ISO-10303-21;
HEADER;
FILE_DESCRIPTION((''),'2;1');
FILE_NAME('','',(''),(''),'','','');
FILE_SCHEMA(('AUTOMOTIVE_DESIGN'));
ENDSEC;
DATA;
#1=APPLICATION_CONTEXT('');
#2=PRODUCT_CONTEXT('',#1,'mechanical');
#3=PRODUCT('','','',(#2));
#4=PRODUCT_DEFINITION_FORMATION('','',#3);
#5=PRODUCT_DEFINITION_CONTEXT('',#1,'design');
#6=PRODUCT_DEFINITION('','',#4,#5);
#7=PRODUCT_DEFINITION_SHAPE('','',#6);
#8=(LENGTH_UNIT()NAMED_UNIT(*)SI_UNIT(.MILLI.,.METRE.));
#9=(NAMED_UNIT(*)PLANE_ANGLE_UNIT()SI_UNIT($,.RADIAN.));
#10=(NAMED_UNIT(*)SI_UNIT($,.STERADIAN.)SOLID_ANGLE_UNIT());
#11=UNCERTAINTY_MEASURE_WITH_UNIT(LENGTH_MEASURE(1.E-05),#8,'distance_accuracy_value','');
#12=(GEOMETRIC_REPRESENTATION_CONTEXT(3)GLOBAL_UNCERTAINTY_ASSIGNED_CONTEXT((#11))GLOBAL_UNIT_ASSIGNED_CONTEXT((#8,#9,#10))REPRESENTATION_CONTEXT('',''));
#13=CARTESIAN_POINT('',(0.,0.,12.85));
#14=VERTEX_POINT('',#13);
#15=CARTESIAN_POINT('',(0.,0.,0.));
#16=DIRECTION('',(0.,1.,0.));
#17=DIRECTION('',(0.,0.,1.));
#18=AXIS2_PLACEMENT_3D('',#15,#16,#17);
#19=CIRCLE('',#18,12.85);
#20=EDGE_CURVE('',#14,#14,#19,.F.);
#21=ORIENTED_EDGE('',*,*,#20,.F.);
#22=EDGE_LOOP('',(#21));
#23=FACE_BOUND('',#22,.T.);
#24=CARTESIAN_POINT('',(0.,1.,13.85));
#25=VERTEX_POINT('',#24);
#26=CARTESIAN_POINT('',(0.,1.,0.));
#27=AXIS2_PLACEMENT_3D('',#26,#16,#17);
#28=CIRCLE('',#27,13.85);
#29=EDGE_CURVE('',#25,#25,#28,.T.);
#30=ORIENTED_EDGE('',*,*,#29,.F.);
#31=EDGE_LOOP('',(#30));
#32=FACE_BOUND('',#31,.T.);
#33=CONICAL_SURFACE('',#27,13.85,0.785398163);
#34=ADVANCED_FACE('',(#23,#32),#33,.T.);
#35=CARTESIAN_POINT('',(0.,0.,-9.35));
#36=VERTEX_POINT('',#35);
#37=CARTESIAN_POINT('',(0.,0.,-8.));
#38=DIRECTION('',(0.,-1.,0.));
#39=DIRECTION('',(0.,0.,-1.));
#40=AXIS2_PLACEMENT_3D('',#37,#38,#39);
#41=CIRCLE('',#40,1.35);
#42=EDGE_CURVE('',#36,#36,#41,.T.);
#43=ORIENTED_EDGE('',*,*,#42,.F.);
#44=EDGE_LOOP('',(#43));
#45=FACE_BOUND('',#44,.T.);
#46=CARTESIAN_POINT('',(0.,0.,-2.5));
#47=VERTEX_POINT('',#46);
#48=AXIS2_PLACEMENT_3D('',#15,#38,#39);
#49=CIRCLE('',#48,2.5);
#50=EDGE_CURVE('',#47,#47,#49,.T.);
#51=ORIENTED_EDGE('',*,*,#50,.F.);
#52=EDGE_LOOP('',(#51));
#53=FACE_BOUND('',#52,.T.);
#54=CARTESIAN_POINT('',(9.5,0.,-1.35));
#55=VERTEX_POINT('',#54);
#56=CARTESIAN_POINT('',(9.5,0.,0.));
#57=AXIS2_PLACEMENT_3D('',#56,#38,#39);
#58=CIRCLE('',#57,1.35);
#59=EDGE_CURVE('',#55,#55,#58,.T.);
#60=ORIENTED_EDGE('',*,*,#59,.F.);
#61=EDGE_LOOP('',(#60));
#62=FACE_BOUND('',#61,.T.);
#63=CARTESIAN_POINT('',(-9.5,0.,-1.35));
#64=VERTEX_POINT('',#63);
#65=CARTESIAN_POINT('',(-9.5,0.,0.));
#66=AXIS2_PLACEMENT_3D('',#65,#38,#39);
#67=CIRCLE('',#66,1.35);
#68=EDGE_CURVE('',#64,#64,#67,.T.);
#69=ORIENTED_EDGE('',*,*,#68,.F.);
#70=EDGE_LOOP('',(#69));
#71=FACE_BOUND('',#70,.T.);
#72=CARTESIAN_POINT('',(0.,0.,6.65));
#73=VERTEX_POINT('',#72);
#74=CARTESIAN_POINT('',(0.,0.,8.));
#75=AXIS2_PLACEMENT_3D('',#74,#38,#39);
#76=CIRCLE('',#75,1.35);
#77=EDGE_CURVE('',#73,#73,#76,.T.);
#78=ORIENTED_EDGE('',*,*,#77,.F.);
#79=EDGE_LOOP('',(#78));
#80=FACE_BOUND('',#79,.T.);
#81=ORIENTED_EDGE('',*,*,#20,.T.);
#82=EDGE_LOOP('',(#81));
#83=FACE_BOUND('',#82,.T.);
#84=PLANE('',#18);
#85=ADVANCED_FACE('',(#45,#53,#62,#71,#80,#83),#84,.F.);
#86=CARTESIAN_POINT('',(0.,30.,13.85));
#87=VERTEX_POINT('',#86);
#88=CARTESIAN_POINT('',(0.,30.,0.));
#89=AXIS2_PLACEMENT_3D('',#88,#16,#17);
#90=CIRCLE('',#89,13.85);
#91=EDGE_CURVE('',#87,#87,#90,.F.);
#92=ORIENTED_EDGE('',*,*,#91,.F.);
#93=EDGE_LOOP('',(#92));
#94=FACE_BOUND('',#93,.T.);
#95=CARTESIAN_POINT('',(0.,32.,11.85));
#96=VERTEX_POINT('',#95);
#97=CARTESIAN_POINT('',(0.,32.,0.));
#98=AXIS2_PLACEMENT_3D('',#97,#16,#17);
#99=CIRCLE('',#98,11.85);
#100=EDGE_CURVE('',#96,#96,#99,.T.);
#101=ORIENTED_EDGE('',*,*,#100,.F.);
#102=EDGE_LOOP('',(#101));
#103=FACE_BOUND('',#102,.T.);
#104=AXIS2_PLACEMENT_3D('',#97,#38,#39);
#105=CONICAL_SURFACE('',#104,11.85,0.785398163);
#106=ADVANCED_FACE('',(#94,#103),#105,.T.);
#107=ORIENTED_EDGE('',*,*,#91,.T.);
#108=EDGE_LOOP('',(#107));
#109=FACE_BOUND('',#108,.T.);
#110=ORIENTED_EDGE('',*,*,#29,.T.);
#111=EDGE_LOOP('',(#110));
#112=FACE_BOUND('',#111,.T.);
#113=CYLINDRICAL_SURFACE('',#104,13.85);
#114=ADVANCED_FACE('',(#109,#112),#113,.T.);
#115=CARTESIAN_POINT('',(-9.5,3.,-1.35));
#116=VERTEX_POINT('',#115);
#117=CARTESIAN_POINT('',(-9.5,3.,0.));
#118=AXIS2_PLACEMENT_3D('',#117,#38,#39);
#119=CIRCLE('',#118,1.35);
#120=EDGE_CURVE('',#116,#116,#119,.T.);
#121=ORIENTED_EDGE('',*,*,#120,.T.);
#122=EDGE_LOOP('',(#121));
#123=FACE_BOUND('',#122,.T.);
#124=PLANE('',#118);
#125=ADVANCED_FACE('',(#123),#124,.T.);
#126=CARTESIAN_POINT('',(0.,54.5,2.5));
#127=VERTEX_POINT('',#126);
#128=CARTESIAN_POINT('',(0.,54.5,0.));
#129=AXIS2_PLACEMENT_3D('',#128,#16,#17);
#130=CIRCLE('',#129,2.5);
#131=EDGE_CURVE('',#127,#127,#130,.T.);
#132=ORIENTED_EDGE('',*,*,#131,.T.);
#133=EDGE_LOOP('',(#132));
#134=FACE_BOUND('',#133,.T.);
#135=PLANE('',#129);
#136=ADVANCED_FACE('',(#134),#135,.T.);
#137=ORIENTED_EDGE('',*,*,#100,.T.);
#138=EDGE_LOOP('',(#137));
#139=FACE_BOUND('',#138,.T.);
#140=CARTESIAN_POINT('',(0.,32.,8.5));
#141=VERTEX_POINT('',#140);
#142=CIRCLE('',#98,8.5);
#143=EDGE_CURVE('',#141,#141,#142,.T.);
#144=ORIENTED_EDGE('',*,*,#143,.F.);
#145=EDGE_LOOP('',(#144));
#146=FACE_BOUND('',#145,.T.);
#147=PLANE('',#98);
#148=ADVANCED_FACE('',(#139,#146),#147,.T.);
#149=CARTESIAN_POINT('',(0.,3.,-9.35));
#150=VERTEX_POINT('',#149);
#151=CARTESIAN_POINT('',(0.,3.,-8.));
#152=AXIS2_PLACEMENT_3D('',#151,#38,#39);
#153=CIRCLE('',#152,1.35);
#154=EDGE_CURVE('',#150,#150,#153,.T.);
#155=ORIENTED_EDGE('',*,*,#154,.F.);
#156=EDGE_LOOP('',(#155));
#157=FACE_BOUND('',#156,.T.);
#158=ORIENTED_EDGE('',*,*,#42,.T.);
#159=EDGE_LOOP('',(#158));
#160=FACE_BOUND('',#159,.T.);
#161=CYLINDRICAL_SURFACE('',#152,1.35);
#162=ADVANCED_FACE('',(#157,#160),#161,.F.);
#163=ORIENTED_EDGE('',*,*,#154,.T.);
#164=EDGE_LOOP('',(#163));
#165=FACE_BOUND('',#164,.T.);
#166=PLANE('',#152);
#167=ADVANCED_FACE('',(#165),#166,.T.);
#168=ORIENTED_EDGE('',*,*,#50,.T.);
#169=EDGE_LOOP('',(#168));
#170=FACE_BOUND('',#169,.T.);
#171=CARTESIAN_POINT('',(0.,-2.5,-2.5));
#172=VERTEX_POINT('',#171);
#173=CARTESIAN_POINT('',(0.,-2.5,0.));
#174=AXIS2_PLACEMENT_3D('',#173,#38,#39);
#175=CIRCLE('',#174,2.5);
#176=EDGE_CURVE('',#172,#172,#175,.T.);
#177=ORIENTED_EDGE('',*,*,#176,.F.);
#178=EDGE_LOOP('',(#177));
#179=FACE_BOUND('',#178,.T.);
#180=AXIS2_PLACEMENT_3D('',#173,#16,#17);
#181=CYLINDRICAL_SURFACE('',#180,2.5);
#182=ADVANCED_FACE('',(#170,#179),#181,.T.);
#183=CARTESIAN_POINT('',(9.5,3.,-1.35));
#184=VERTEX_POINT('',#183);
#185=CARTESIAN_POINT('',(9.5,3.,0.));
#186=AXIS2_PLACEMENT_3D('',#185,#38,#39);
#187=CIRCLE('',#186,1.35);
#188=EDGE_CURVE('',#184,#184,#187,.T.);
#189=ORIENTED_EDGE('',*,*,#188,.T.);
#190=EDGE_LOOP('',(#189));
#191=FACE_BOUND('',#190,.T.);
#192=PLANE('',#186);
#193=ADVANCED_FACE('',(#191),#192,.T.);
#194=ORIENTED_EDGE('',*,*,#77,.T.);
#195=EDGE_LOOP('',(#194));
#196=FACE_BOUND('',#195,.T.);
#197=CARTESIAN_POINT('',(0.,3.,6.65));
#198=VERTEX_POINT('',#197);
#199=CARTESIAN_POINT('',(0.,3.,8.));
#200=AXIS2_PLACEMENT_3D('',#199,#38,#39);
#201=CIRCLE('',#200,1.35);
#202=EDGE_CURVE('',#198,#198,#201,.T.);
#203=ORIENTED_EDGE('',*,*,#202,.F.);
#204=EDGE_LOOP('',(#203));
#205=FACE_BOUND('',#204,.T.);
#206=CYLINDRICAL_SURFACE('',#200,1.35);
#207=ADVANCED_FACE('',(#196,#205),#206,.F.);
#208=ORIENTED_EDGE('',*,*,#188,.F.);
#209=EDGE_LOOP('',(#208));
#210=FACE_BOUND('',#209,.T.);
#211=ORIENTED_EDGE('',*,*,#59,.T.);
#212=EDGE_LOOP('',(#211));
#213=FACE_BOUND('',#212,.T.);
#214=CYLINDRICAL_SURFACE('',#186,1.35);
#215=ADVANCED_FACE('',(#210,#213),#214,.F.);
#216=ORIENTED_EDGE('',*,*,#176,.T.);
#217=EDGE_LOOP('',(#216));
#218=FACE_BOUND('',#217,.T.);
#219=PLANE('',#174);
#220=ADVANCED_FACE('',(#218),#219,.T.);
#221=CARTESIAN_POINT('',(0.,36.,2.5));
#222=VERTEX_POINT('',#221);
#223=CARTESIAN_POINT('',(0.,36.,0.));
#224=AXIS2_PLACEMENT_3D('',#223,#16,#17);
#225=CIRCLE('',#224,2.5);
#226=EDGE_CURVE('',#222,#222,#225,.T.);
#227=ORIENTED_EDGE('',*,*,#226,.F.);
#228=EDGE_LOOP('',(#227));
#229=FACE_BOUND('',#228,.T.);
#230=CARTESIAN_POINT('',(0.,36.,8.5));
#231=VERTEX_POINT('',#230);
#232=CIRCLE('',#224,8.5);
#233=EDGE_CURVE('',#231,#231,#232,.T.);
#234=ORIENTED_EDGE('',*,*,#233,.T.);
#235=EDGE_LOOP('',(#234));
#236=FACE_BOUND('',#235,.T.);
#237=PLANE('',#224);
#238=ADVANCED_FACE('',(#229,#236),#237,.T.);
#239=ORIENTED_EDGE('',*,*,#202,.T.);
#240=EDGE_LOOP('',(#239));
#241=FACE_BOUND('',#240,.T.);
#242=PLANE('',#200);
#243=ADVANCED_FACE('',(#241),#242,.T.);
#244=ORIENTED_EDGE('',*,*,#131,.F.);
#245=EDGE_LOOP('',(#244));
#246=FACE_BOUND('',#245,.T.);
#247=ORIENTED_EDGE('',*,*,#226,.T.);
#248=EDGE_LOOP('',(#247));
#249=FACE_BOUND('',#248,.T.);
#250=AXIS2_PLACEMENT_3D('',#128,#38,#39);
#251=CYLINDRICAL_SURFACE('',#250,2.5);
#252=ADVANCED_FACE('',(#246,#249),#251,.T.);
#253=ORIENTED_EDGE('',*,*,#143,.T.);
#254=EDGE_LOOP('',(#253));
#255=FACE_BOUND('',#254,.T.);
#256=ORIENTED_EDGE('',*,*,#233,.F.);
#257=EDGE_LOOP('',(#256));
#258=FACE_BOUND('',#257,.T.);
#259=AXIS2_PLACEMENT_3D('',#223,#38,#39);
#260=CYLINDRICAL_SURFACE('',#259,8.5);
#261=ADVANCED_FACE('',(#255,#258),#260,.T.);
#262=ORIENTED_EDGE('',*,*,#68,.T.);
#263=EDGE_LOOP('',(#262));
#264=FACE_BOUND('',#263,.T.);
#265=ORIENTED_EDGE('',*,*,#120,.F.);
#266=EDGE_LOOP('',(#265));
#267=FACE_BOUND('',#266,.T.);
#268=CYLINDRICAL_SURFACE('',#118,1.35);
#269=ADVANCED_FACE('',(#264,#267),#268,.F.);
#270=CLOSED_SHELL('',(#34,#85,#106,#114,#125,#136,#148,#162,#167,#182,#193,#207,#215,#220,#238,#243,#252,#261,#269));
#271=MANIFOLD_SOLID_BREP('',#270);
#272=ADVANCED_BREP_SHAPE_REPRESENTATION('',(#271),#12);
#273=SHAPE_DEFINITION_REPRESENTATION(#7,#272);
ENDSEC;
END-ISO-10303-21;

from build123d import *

# Parameters (mm, degrees)
SKETCH_1_R          = 13.85
EXTRUDE_1_DEPTH     = 32
SKETCH_2_R          = 2.5
EXTRUDE_2_DEPTH     = 2.5
SKETCH_3_R          = 8.5
EXTRUDE_3_DEPTH     = 4
EXTRUDE_START       = 18.5
SKETCH_4_R          = 2.5
EXTRUDE_4_DEPTH     = 18.5
CHAMFER_1_SIZE      = 2
CHAMFER_2_SIZE      = 1
SKETCH_5_R          = 1.35
CUT_EXTRUDE_1_DEPTH = 3


with BuildPart() as part:
    # 草图1 → 凸台-拉伸1 (new body)
    with BuildSketch(Plane(origin=(0, 0, 0), x_dir=(1, 0, 0), z_dir=(0, 1, 0))):
        with Locations(Location((0, 0, 0), (0, 0, 270))):
            Circle(SKETCH_1_R)
    extrude(amount=EXTRUDE_1_DEPTH)

    # 草图2 → 凸台-拉伸2 (add)
    with BuildSketch(Plane.XZ):
        with Locations(Location((0, 0, 0), (0, 0, 270))):
            Circle(SKETCH_2_R)
    extrude(amount=EXTRUDE_2_DEPTH)

    # 草图3 → 凸台-拉伸3 (add)
    with BuildSketch(Plane(origin=(0, 32, 0), x_dir=(1, 0, 0), z_dir=(0, 1, 0))):
        with Locations(Location((0, 0, 0), (0, 0, 270))):
            Circle(SKETCH_3_R)
    extrude(amount=EXTRUDE_3_DEPTH)

    # 草图4 → 凸台-拉伸4 (add)
    with BuildSketch(Plane(origin=(0, 36, 0), x_dir=(1, 0, 0), z_dir=(0, 1, 0)).offset(EXTRUDE_START)):
        with Locations(Location((0, 0, 0), (0, 0, 90))):
            Circle(SKETCH_4_R)
    extrude(amount=-EXTRUDE_4_DEPTH)

    # 倒角1
    chamfer_1_edges = [part.edges().sort_by_distance(p)[0] for p in [
        (0, 32, -13.85),
    ]]
    chamfer(chamfer_1_edges, length=CHAMFER_1_SIZE)

    # 倒角2
    chamfer_2_edges = [part.edges().sort_by_distance(p)[0] for p in [
        (0, 0, -13.85),
    ]]
    chamfer(chamfer_2_edges, length=CHAMFER_2_SIZE)

    # 草图5 → 切除-拉伸1 (cut)
    with BuildSketch(Plane.XZ):
        with Locations(Location((0, 8, 0), (0, 0, 270))):
            Circle(SKETCH_5_R)
        with Locations(Location((-9.5, 0, 0), (0, 0, 270))):
            Circle(SKETCH_5_R)
        with Locations(Location((0, -8, 0), (0, 0, 270))):
            Circle(SKETCH_5_R)
        with Locations(Location((9.5, 0, 0), (0, 0, 270))):
            Circle(SKETCH_5_R)
    extrude(amount=-CUT_EXTRUDE_1_DEPTH, mode=Mode.SUBTRACT)


solid = part.part
